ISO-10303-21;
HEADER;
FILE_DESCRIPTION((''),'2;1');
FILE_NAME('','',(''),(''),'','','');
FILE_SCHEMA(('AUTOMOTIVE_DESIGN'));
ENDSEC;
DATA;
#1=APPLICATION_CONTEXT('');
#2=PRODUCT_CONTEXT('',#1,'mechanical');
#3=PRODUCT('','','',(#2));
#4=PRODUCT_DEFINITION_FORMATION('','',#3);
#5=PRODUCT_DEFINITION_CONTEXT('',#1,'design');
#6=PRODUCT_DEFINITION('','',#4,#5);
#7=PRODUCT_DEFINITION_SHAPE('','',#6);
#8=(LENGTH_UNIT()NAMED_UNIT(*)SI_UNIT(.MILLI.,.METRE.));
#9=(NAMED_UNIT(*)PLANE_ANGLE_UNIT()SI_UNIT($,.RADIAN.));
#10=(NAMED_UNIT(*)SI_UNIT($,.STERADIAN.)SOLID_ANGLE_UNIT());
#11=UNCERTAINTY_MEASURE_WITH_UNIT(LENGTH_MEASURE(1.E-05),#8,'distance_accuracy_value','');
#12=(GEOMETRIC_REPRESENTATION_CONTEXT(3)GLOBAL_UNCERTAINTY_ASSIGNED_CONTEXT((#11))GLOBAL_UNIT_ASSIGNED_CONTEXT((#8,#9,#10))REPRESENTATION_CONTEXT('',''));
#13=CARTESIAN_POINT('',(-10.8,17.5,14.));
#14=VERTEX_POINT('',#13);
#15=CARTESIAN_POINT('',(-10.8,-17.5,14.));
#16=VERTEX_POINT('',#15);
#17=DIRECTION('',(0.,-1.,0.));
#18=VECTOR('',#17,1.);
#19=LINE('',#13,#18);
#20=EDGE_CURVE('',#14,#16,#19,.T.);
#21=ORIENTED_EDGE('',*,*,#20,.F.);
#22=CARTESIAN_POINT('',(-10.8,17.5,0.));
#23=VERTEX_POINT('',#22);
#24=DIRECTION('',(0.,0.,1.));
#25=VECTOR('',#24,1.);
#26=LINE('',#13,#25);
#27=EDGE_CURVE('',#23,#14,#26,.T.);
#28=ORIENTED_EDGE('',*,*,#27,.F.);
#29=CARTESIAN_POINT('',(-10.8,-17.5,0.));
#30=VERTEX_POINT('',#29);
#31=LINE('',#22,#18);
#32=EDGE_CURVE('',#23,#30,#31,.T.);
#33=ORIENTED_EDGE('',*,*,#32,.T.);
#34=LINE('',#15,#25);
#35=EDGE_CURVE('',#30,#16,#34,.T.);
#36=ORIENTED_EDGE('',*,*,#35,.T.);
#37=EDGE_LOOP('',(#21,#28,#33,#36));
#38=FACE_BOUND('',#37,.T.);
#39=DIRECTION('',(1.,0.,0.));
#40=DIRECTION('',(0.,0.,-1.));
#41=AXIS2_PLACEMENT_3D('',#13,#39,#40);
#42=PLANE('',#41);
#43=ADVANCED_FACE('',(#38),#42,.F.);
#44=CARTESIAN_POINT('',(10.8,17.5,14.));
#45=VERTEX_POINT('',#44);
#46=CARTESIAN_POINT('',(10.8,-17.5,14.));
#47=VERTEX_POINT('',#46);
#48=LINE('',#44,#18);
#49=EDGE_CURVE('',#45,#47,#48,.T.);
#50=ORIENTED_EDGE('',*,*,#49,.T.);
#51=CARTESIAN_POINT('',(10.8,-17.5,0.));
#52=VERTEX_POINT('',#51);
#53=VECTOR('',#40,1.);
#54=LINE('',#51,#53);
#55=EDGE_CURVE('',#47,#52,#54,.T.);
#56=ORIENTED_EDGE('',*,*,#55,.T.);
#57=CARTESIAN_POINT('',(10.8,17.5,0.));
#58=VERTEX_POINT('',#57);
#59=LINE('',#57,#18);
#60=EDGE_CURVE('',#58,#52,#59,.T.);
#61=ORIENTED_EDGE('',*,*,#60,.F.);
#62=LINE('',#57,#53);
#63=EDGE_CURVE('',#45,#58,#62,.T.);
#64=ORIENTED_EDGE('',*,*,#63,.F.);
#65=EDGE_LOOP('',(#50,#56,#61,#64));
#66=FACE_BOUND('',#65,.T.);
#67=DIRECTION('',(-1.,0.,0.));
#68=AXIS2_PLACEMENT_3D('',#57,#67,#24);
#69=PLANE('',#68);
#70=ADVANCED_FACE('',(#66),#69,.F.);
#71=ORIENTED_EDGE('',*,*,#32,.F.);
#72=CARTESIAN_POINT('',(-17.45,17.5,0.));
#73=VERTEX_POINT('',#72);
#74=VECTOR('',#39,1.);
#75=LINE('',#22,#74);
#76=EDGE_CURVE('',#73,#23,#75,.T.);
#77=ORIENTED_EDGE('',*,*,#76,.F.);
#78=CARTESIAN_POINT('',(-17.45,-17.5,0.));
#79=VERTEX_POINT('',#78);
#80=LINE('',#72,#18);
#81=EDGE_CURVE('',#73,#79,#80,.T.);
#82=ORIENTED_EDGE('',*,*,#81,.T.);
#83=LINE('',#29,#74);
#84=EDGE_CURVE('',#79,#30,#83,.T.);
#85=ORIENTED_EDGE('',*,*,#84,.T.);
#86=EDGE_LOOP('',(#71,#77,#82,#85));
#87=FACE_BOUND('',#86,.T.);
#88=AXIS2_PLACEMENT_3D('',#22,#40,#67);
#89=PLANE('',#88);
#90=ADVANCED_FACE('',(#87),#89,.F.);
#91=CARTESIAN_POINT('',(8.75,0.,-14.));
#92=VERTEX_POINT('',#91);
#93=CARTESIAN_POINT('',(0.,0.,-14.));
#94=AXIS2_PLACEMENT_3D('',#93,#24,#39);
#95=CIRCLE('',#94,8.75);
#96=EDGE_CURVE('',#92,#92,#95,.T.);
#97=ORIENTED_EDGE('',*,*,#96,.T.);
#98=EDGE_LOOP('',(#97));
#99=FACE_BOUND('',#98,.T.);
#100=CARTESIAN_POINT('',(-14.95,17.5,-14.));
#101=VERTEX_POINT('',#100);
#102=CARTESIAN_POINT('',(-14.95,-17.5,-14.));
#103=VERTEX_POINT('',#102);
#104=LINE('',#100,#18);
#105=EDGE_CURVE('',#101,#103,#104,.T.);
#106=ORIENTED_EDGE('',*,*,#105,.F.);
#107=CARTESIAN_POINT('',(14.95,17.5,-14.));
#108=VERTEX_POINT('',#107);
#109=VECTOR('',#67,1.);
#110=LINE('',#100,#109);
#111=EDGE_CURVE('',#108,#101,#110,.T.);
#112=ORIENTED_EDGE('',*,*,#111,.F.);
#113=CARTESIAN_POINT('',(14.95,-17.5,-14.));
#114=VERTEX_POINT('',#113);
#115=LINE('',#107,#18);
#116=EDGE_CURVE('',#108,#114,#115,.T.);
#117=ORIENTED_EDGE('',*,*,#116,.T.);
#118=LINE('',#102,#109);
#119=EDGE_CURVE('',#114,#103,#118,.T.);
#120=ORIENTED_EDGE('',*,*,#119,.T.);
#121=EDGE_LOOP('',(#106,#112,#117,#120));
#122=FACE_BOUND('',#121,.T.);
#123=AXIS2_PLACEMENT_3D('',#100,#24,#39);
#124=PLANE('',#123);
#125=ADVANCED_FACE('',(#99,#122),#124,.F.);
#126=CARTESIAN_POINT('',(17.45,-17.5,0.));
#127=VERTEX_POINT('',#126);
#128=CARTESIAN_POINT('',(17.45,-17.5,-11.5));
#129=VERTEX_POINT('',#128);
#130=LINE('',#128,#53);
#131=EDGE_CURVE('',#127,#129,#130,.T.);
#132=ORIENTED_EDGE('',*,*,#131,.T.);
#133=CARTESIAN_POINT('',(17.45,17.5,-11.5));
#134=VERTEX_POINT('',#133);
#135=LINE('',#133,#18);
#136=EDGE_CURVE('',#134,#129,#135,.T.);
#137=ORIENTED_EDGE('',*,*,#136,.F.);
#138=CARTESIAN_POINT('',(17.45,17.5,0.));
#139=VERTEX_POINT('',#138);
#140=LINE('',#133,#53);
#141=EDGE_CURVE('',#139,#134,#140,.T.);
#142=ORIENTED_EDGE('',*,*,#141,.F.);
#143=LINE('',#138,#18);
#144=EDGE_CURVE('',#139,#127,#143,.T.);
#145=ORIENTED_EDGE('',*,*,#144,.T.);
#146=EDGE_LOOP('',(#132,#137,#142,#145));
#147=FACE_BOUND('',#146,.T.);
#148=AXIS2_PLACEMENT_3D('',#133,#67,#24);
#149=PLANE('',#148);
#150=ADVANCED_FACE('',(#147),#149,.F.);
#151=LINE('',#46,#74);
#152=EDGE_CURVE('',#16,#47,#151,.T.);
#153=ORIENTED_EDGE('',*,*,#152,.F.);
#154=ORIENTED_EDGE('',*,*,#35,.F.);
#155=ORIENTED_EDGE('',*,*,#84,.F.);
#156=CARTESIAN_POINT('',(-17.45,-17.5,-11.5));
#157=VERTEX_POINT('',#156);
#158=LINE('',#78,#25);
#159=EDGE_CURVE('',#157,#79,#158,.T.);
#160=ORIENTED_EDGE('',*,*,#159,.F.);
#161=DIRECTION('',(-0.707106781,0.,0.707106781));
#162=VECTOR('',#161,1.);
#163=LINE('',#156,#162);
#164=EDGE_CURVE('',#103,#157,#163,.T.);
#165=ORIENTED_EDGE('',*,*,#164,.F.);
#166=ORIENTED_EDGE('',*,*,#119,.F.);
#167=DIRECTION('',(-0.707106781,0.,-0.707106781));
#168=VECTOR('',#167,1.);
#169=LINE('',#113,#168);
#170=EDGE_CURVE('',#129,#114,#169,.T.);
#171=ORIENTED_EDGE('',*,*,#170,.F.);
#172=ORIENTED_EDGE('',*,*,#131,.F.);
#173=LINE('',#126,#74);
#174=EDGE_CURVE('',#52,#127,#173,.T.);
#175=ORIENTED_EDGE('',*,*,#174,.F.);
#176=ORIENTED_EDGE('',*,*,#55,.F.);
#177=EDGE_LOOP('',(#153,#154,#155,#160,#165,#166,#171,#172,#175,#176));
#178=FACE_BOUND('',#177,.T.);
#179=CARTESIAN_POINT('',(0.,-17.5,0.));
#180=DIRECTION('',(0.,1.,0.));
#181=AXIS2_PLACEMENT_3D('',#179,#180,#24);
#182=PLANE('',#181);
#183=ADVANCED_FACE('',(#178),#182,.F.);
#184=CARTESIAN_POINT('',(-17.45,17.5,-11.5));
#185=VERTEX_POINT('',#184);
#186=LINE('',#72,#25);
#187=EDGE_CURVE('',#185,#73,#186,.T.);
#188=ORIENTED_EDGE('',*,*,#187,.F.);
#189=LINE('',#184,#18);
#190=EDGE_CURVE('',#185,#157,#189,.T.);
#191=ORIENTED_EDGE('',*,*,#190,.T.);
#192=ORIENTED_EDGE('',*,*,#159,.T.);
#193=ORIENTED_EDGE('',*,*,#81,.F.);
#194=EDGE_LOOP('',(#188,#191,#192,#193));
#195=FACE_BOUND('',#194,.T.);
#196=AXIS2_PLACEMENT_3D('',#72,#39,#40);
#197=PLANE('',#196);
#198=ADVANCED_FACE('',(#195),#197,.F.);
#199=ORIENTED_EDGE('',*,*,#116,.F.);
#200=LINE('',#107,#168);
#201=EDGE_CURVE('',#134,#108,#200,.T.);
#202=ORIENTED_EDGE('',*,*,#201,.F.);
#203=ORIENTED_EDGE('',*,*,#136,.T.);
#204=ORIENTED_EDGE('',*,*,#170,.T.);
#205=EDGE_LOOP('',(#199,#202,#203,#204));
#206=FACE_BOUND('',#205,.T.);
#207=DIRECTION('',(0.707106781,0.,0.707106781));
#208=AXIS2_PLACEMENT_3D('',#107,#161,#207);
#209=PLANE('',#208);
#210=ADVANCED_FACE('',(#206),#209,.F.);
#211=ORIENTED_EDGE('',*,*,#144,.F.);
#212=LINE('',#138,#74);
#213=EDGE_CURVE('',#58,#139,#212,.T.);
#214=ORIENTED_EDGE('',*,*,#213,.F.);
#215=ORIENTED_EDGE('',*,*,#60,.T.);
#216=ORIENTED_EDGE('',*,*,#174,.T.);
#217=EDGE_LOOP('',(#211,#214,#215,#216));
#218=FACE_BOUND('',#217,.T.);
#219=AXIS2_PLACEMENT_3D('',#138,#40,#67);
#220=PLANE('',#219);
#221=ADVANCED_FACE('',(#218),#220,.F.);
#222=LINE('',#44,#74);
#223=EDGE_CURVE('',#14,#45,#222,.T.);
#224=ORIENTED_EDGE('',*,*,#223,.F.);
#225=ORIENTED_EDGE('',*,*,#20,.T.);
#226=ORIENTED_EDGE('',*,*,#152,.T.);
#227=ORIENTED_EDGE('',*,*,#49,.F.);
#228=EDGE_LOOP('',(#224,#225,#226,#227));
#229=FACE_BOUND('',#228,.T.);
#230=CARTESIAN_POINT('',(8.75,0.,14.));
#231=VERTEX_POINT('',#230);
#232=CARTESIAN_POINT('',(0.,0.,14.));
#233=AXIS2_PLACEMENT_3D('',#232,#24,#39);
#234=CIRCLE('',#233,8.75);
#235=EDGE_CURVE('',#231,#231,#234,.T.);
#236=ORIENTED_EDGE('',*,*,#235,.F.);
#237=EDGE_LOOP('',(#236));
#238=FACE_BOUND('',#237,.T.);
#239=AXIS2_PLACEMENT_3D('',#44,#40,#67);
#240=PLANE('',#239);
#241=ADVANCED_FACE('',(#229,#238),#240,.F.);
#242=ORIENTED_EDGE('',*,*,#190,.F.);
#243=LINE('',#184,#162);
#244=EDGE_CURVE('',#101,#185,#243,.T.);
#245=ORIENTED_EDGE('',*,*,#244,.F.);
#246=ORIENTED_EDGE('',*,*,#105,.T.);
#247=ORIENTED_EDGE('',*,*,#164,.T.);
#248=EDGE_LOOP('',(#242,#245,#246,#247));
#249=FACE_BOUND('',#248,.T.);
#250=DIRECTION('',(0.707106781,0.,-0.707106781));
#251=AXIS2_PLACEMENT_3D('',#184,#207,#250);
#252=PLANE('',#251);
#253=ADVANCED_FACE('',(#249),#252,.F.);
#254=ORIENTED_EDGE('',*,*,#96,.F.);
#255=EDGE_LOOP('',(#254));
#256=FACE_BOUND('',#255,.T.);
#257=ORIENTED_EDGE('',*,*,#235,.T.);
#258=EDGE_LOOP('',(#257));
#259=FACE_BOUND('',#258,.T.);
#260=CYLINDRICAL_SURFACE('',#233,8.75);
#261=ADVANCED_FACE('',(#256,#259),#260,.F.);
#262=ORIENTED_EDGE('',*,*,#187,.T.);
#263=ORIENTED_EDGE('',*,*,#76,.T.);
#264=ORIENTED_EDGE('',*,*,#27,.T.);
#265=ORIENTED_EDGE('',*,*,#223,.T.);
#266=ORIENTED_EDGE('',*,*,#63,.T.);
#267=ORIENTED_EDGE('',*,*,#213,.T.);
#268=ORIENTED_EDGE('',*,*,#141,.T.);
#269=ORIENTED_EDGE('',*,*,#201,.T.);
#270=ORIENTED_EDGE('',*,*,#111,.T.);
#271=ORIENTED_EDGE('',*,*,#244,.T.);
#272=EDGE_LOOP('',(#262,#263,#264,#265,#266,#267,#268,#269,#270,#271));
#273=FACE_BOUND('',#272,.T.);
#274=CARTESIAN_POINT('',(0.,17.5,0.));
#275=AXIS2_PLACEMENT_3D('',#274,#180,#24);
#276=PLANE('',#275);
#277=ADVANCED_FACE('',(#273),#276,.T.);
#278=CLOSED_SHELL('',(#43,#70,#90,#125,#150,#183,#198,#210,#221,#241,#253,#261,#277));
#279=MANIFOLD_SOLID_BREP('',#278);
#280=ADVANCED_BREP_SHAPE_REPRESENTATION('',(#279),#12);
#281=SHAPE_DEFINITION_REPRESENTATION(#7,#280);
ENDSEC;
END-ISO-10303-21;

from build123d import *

# Parameters (mm, degrees)
BOSS_EXTRUDE1_DEPTH = 17.5
M20_TAPPED_HOLE1_D  = 17.5


with BuildPart() as part:
    # Sketch1 → Boss-Extrude1 (new, symmetric)
    with BuildSketch(Plane(origin=(0, 0, 0), x_dir=(1, 0, 0), z_dir=(0, 1, 0))):
        Polygon((-10.8, 0), (-17.45, 0), (-17.45, 11.5), (-14.95, 14), (14.95, 14), (17.45, 11.5), (17.45, 0), (10.8, 0), (10.8, -14), (-10.8, -14), align=None)
    extrude(amount=BOSS_EXTRUDE1_DEPTH, both=True)

    # M20 Tapped Hole1 (through all)
    with Locations(Plane.XY.offset(14)):
        with Locations((0, 0)):
            Hole(M20_TAPPED_HOLE1_D / 2)


solid = part.part
